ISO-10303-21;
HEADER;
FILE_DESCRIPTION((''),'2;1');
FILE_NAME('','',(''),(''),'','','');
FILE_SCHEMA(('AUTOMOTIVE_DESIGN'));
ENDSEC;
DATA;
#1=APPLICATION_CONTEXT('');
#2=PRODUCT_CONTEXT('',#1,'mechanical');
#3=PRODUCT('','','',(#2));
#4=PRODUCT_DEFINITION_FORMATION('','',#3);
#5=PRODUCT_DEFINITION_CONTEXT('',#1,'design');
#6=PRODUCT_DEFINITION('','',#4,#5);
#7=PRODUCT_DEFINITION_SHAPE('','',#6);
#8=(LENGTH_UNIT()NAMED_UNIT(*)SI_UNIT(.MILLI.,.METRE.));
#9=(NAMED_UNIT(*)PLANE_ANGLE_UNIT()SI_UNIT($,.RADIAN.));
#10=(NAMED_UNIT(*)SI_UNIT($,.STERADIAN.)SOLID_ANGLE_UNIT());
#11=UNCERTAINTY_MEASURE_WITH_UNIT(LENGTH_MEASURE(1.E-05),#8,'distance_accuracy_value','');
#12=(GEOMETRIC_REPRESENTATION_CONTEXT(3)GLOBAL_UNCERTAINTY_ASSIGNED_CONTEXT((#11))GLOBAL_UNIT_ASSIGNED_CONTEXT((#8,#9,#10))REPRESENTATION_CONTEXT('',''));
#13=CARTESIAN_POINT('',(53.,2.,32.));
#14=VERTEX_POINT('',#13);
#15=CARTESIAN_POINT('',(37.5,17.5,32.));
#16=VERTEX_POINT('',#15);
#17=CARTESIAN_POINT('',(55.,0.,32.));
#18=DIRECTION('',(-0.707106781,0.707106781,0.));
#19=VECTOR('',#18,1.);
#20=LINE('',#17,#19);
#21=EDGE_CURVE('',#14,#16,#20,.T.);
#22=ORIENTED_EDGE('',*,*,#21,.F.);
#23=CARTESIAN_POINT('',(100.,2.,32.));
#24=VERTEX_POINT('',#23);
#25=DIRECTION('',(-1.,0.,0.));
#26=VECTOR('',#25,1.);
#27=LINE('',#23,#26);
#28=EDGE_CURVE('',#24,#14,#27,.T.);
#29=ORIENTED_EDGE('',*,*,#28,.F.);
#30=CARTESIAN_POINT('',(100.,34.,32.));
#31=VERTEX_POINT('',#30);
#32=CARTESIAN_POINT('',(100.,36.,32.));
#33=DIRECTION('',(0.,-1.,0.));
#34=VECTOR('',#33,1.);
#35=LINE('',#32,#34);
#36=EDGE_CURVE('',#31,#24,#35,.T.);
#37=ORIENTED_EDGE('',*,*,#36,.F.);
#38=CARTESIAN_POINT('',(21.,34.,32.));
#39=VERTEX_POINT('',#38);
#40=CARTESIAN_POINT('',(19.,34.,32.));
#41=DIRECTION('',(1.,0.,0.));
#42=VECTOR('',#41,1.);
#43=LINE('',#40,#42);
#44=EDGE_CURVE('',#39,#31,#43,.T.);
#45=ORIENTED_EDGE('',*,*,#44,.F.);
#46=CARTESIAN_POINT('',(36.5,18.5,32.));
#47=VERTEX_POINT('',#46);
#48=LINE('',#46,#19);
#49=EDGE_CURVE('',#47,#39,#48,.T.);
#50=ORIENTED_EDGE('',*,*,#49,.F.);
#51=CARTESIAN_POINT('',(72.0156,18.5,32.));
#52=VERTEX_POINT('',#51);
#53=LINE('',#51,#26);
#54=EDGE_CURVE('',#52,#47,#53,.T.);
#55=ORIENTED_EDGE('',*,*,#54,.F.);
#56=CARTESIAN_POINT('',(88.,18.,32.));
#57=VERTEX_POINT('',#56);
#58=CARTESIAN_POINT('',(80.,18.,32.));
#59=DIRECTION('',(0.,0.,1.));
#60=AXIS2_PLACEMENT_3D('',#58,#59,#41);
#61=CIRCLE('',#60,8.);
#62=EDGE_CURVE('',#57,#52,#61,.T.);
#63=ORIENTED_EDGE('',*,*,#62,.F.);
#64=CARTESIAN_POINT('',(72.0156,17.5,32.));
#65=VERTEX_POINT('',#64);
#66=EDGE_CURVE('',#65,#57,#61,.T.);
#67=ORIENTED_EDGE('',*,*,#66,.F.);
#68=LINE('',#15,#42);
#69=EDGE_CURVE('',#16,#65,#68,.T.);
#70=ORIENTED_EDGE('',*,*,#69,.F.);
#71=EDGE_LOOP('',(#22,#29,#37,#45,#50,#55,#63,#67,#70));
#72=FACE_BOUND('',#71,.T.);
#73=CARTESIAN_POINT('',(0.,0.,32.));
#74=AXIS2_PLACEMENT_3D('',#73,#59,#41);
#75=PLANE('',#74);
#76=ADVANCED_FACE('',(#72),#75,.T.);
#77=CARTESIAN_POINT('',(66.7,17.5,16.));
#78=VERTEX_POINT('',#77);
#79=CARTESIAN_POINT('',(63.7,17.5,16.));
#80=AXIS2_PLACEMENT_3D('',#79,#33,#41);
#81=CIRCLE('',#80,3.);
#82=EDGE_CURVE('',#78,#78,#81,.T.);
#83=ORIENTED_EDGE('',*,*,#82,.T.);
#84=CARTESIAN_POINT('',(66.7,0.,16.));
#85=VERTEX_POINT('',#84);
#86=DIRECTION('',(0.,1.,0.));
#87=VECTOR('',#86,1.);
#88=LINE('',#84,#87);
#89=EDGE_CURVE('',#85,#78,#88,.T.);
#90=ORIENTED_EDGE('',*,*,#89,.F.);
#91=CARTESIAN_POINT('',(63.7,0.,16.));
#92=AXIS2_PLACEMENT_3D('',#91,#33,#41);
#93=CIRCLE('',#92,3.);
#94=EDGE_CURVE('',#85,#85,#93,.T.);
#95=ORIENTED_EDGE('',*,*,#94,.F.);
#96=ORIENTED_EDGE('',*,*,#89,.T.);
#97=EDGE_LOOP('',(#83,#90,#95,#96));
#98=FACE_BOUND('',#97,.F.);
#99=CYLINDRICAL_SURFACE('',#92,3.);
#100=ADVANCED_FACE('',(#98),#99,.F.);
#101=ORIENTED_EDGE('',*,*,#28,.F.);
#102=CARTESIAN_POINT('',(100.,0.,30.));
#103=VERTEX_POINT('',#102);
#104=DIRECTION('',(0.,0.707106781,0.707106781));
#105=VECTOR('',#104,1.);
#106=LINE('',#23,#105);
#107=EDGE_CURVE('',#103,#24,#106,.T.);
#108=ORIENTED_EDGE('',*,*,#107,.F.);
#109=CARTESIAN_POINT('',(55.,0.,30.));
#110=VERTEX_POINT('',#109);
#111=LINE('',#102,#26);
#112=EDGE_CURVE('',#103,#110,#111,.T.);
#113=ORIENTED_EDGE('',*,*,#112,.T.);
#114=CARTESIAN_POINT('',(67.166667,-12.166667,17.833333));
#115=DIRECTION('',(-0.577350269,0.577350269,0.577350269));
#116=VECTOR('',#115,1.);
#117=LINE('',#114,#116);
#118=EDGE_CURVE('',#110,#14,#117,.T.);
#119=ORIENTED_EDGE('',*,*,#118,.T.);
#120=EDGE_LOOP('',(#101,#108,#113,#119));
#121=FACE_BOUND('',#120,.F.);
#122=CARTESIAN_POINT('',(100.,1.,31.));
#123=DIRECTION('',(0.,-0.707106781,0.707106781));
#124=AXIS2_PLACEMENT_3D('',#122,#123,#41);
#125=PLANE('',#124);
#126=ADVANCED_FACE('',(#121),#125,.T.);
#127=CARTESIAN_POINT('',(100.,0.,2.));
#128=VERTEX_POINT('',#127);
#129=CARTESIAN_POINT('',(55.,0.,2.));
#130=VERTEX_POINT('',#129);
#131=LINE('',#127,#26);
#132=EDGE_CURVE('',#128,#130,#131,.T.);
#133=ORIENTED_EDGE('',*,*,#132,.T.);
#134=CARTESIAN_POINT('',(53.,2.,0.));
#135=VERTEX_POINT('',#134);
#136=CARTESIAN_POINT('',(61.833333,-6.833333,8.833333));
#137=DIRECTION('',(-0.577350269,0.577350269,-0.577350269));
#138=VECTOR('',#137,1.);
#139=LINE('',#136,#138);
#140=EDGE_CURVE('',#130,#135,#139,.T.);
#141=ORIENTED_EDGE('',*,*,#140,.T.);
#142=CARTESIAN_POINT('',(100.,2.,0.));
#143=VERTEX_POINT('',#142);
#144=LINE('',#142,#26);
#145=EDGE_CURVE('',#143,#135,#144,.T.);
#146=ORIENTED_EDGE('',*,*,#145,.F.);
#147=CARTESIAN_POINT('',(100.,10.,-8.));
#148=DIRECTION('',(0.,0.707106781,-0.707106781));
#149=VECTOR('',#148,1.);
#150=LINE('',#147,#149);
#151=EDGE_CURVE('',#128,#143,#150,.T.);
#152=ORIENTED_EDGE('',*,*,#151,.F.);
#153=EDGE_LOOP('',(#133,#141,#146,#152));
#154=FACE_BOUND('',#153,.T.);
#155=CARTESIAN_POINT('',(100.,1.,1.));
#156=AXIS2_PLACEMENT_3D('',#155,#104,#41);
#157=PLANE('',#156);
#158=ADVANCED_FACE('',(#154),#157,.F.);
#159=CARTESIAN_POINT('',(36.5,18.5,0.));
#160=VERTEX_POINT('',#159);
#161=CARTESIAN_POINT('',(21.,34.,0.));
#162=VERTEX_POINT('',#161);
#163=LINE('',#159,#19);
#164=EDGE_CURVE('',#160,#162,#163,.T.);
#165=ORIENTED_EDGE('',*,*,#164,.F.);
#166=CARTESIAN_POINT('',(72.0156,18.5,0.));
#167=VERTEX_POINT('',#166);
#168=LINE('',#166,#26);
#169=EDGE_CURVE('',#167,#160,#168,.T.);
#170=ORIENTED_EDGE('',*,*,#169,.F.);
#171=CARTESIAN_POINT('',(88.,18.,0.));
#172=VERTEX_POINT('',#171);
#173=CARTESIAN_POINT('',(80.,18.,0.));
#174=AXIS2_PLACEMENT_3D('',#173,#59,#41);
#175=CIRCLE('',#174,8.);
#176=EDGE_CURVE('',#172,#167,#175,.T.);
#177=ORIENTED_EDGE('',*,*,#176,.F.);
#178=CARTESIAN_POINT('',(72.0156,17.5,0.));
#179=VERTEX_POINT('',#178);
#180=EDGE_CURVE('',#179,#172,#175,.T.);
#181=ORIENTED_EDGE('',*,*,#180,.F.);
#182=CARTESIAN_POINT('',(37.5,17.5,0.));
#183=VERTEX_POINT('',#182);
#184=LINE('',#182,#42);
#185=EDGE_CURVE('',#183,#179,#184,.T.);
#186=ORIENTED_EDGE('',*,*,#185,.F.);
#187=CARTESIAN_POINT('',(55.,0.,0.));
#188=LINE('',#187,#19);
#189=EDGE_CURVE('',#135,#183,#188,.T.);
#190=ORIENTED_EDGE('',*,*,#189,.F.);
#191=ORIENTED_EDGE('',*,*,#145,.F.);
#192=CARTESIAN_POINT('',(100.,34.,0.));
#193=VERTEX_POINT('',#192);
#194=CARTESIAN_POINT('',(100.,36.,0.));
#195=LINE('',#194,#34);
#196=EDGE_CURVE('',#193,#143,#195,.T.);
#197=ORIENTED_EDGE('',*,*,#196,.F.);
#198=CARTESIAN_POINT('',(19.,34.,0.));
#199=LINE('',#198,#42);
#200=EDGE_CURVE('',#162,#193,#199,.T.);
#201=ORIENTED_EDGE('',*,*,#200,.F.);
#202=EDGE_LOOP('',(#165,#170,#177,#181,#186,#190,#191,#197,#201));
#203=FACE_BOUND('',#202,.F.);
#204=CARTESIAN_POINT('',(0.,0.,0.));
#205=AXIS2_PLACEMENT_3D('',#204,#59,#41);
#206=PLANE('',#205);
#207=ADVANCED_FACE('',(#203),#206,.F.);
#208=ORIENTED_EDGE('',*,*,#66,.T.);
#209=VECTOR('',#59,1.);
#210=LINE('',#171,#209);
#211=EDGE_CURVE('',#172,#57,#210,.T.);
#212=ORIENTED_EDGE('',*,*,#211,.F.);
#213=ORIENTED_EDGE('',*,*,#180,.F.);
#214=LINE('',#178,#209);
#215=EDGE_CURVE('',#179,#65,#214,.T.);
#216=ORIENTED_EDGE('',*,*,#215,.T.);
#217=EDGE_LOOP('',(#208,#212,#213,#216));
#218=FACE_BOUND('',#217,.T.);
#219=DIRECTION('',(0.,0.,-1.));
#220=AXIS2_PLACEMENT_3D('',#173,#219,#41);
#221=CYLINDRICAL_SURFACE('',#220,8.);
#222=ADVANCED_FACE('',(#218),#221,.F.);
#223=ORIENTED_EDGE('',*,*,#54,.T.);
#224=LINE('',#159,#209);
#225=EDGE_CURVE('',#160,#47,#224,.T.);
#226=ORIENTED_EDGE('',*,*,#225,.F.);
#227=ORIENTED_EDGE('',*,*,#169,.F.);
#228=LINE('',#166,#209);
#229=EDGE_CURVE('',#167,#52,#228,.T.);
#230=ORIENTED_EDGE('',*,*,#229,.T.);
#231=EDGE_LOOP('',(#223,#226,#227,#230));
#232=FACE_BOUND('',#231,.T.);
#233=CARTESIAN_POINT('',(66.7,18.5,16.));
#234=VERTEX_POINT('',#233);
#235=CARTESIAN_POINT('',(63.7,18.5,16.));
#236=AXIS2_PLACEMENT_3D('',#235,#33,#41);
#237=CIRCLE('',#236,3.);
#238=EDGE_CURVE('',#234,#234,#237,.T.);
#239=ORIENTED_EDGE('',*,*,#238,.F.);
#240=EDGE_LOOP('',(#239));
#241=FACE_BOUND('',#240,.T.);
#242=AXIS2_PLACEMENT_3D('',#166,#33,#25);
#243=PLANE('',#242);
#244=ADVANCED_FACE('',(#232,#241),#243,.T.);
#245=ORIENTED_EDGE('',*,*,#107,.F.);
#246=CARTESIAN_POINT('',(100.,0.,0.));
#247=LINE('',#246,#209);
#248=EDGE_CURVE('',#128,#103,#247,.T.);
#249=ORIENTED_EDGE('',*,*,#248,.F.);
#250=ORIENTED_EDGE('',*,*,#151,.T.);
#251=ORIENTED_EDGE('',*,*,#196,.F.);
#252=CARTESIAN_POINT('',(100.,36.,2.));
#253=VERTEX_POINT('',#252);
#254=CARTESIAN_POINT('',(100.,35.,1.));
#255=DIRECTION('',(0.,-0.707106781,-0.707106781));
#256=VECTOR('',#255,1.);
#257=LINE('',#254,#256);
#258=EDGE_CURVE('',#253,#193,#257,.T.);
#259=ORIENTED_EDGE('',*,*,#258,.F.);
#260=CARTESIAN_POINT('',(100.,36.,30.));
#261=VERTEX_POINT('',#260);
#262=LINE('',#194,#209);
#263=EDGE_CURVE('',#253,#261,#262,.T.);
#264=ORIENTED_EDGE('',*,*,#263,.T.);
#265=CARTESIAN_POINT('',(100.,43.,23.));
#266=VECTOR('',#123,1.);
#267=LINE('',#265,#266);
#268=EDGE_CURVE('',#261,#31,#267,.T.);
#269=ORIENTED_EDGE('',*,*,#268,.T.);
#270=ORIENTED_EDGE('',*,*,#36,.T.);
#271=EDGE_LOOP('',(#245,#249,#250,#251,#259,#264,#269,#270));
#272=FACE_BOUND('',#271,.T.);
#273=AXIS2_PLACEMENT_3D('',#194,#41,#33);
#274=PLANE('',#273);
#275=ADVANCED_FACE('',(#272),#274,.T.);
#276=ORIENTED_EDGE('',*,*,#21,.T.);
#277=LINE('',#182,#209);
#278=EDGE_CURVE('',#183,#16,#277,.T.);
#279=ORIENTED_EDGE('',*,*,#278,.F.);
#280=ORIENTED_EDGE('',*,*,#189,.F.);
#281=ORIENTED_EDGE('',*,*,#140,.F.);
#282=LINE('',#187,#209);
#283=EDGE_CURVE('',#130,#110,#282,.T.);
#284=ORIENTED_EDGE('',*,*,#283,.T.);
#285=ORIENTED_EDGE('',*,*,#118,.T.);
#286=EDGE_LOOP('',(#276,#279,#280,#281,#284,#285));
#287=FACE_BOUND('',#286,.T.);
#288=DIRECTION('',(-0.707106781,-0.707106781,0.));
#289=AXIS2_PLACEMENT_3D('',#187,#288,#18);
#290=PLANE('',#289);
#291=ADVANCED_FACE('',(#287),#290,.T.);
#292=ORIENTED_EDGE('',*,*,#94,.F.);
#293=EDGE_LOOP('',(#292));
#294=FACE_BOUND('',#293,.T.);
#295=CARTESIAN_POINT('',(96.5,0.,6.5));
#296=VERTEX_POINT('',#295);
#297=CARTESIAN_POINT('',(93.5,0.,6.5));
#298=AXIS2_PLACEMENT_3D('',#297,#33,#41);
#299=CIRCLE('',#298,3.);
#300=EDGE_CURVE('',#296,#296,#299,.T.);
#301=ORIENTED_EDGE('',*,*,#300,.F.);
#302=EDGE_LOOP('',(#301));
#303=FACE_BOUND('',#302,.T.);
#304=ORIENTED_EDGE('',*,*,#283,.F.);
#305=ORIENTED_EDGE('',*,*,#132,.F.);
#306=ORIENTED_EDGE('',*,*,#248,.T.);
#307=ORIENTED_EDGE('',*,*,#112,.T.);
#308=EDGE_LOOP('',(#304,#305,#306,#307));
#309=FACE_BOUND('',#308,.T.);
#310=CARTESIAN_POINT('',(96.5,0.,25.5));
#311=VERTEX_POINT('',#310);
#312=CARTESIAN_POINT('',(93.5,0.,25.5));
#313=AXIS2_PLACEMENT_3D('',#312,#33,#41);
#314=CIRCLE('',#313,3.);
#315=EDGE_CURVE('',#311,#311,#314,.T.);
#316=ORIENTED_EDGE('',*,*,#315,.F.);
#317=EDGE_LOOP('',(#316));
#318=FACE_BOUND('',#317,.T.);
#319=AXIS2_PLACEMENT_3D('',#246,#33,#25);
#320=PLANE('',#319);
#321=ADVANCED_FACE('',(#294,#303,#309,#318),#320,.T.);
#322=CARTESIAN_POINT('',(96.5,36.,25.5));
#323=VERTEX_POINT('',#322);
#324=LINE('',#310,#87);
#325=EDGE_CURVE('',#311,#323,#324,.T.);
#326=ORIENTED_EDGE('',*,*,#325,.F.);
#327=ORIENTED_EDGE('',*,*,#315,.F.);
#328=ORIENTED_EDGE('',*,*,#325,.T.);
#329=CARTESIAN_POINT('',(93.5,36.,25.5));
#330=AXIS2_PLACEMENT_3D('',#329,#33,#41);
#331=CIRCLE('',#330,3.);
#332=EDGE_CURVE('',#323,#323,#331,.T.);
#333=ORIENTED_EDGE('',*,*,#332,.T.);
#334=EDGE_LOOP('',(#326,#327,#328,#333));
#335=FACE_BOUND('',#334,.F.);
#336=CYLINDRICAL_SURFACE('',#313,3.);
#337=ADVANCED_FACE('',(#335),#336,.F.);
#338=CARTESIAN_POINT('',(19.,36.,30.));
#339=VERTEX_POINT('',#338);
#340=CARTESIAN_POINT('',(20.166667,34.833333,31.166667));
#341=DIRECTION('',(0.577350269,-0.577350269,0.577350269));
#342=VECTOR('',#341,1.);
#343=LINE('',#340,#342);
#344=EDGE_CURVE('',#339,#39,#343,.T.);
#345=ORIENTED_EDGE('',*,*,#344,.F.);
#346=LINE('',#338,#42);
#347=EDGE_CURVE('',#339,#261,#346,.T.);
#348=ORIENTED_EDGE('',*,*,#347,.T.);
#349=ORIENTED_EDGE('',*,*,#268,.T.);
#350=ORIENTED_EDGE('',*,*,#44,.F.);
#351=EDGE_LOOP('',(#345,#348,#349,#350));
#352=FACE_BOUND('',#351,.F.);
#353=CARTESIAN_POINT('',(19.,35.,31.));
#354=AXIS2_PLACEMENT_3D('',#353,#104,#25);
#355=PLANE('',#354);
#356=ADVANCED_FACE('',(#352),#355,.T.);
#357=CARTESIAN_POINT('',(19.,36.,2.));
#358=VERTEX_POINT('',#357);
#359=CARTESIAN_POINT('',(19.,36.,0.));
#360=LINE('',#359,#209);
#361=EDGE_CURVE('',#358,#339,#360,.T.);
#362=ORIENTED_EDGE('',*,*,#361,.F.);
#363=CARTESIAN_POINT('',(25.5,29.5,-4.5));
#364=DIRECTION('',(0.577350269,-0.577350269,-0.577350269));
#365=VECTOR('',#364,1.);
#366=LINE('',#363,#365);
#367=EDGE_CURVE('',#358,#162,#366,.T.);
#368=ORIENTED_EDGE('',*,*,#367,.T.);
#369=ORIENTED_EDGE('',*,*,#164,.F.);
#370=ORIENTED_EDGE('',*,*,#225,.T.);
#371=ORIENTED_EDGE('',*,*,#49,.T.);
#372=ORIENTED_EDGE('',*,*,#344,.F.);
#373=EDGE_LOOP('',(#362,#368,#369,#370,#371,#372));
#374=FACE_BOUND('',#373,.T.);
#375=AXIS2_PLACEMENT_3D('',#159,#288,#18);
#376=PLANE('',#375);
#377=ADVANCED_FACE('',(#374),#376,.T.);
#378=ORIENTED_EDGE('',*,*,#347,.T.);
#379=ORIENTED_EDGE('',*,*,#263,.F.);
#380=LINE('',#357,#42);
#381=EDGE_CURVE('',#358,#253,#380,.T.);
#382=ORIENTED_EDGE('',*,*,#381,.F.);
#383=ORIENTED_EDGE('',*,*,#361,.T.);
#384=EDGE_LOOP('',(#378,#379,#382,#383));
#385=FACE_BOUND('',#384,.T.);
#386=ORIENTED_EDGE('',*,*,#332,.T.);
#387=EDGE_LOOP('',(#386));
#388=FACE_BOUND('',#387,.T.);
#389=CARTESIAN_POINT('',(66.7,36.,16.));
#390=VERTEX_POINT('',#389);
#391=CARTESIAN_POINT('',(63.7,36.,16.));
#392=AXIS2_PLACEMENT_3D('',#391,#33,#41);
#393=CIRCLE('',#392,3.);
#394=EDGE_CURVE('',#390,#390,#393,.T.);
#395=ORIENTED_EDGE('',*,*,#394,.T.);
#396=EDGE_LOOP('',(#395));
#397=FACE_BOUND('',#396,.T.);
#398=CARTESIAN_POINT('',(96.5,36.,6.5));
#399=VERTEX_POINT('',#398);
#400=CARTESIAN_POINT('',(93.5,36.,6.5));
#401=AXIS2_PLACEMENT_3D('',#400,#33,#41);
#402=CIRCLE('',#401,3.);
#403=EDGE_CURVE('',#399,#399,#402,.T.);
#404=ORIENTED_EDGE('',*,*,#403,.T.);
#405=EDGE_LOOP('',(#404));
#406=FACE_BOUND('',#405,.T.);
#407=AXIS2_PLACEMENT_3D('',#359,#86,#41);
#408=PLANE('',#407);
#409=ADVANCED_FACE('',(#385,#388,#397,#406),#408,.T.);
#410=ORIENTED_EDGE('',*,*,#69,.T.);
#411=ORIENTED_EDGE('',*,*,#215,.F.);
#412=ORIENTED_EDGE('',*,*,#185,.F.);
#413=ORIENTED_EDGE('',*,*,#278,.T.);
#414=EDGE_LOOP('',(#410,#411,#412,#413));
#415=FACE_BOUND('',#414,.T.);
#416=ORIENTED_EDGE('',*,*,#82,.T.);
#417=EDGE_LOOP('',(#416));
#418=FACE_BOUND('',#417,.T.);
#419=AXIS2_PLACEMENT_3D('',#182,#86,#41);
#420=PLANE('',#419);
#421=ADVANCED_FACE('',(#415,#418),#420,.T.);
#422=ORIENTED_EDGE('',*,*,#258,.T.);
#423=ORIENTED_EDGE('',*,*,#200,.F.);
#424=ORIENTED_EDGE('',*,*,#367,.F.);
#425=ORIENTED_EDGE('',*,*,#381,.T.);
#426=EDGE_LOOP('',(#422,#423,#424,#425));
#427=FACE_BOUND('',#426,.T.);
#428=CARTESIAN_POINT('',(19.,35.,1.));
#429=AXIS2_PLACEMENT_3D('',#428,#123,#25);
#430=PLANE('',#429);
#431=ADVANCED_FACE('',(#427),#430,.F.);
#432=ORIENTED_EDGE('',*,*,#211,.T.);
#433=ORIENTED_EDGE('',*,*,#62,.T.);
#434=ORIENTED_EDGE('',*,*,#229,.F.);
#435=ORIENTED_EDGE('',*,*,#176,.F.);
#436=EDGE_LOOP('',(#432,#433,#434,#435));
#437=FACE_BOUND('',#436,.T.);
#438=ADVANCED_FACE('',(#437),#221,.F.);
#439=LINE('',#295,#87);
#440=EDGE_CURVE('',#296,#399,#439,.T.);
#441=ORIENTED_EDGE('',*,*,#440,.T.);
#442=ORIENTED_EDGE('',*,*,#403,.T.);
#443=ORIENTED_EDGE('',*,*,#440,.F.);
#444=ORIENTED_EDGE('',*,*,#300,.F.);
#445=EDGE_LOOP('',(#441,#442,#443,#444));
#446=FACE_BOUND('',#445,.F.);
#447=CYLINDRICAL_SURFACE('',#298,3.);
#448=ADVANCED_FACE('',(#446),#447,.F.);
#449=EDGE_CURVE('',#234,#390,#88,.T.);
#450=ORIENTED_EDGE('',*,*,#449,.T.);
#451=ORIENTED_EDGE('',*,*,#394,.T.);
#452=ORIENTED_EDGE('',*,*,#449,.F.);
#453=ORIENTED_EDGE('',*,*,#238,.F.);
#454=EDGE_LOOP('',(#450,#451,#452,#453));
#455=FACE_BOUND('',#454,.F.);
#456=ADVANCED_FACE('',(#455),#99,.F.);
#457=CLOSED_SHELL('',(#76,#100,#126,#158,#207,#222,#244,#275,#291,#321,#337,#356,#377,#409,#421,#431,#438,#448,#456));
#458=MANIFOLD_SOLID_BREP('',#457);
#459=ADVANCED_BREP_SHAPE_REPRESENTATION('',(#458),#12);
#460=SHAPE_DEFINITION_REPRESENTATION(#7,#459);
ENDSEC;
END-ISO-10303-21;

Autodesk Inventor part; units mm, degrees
ref_plane "YZ Plane" through (0, 0, 0) normal (1, 0, 0) x (0, 1, 0)
ref_plane "XZ Plane" through (0, 0, 0) normal (0, 1, 0) x (-1, 0, 0)
ref_plane "XY Plane" through (0, 0, 0) normal (0, 0, 1) x (1, 0, 0)
sketch "Sketch1" plane through (0, 0, 0) normal (0, 0, 1) x (1, 0, 0)
  line L0 (0, 2) -> (100, 2) construction
  line L1 (0, 2) -> (0, 18) construction
  line L2 (12, 18) -> (0, 18) construction
  arc A0 (12, 18) -> (28, 18) centre (20, 18) ccw construction
  line L3 (38, 18) -> (28, 18) construction
  arc A1 (38, 18) -> (62, 18) centre (50, 18) ccw construction
  line L4 (72, 18) -> (62, 18) construction
  arc A2 (72, 18) -> (88, 18) centre (80, 18) ccw construction
  line L5 (100, 18) -> (88, 18) construction
  line L6 (100, 2) -> (100, 18) construction
  line L7 (100, 34) -> (0, 34) construction
  line L8 (100, 34) -> (100, 18) construction
  line L9 (88, 18) -> (100, 18) construction
  arc A3 (88, 18) -> (72, 18) centre (80, 18) ccw construction
  line L10 (62, 18) -> (72, 18) construction
  arc A4 (62, 18) -> (38, 18) centre (50, 18) ccw construction
  line L11 (28, 18) -> (38, 18) construction
  arc A5 (28, 18) -> (12, 18) centre (20, 18) ccw construction
  line L12 (0, 18) -> (12, 18) construction
  line L13 (0, 34) -> (0, 18) construction
  line L14 (100, 2) -> (100, 0) construction
  line L15 (100, 0) -> (0, 0) construction
  line L16 (0, 0) -> (0, 2) construction
  line L17 (0, 2) -> (100, 2) construction
  line L18 (0, 34) -> (0, 36) construction
  line L19 (0, 36) -> (100, 36) construction
  line L20 (100, 36) -> (100, 34) construction
  line L21 (100, 34) -> (0, 34) construction
  line L22 (100, 36) -> (100, 0)
  line L23 (100, 0) -> (55, 0)
  line L24 (19, 36) -> (100, 36)
  circle A6 centre (80, 18) radius 8
  line L25 (72.0156, 18.5) -> (36.5, 18.5)
  line L26 (37.5, 17.5) -> (72.0156, 17.5)
  line L27 (55, 0) -> (37.5, 17.5)
  line L28 (36.5, 18.5) -> (19, 36)
  line L29 (55.9956, 18.5) -> (55.9956, 17.5) construction
  line L30 (36.5, 18.5) -> (37.5, 17.5) construction
  point P0 (55.9956, 18)
  dimension "d1" = 45
  dimension "d3" = 1
  dimension "d4" = 45
extrude "Extrusion1" add sketch "Sketch1" along normal blind 32 contours L22 L23 L27 L26 A6 L25 L28 L24
sketch "Sketch2" plane through (55, 0, 0) normal (0, -1, 0) x (1, 0, 0)
  circle A0 centre (38.5, 25.5) radius 3 projected
  circle A1 centre (38.5, 6.5) radius 3 projected
  circle A2 centre (8.7, 16) radius 3 projected
  point P0 (-55, 0)
extrude "Extrusion2" cut sketch "Sketch2" against normal through all
chamfer "Chamfer1" distance 2 angle 45 4 edges at (77.5, 0, 0) (59.5, 36, 0) (77.5, 0, 32) (59.5, 36, 32)
properties part number "AXTTS" material "PC/ABS Plastic"
